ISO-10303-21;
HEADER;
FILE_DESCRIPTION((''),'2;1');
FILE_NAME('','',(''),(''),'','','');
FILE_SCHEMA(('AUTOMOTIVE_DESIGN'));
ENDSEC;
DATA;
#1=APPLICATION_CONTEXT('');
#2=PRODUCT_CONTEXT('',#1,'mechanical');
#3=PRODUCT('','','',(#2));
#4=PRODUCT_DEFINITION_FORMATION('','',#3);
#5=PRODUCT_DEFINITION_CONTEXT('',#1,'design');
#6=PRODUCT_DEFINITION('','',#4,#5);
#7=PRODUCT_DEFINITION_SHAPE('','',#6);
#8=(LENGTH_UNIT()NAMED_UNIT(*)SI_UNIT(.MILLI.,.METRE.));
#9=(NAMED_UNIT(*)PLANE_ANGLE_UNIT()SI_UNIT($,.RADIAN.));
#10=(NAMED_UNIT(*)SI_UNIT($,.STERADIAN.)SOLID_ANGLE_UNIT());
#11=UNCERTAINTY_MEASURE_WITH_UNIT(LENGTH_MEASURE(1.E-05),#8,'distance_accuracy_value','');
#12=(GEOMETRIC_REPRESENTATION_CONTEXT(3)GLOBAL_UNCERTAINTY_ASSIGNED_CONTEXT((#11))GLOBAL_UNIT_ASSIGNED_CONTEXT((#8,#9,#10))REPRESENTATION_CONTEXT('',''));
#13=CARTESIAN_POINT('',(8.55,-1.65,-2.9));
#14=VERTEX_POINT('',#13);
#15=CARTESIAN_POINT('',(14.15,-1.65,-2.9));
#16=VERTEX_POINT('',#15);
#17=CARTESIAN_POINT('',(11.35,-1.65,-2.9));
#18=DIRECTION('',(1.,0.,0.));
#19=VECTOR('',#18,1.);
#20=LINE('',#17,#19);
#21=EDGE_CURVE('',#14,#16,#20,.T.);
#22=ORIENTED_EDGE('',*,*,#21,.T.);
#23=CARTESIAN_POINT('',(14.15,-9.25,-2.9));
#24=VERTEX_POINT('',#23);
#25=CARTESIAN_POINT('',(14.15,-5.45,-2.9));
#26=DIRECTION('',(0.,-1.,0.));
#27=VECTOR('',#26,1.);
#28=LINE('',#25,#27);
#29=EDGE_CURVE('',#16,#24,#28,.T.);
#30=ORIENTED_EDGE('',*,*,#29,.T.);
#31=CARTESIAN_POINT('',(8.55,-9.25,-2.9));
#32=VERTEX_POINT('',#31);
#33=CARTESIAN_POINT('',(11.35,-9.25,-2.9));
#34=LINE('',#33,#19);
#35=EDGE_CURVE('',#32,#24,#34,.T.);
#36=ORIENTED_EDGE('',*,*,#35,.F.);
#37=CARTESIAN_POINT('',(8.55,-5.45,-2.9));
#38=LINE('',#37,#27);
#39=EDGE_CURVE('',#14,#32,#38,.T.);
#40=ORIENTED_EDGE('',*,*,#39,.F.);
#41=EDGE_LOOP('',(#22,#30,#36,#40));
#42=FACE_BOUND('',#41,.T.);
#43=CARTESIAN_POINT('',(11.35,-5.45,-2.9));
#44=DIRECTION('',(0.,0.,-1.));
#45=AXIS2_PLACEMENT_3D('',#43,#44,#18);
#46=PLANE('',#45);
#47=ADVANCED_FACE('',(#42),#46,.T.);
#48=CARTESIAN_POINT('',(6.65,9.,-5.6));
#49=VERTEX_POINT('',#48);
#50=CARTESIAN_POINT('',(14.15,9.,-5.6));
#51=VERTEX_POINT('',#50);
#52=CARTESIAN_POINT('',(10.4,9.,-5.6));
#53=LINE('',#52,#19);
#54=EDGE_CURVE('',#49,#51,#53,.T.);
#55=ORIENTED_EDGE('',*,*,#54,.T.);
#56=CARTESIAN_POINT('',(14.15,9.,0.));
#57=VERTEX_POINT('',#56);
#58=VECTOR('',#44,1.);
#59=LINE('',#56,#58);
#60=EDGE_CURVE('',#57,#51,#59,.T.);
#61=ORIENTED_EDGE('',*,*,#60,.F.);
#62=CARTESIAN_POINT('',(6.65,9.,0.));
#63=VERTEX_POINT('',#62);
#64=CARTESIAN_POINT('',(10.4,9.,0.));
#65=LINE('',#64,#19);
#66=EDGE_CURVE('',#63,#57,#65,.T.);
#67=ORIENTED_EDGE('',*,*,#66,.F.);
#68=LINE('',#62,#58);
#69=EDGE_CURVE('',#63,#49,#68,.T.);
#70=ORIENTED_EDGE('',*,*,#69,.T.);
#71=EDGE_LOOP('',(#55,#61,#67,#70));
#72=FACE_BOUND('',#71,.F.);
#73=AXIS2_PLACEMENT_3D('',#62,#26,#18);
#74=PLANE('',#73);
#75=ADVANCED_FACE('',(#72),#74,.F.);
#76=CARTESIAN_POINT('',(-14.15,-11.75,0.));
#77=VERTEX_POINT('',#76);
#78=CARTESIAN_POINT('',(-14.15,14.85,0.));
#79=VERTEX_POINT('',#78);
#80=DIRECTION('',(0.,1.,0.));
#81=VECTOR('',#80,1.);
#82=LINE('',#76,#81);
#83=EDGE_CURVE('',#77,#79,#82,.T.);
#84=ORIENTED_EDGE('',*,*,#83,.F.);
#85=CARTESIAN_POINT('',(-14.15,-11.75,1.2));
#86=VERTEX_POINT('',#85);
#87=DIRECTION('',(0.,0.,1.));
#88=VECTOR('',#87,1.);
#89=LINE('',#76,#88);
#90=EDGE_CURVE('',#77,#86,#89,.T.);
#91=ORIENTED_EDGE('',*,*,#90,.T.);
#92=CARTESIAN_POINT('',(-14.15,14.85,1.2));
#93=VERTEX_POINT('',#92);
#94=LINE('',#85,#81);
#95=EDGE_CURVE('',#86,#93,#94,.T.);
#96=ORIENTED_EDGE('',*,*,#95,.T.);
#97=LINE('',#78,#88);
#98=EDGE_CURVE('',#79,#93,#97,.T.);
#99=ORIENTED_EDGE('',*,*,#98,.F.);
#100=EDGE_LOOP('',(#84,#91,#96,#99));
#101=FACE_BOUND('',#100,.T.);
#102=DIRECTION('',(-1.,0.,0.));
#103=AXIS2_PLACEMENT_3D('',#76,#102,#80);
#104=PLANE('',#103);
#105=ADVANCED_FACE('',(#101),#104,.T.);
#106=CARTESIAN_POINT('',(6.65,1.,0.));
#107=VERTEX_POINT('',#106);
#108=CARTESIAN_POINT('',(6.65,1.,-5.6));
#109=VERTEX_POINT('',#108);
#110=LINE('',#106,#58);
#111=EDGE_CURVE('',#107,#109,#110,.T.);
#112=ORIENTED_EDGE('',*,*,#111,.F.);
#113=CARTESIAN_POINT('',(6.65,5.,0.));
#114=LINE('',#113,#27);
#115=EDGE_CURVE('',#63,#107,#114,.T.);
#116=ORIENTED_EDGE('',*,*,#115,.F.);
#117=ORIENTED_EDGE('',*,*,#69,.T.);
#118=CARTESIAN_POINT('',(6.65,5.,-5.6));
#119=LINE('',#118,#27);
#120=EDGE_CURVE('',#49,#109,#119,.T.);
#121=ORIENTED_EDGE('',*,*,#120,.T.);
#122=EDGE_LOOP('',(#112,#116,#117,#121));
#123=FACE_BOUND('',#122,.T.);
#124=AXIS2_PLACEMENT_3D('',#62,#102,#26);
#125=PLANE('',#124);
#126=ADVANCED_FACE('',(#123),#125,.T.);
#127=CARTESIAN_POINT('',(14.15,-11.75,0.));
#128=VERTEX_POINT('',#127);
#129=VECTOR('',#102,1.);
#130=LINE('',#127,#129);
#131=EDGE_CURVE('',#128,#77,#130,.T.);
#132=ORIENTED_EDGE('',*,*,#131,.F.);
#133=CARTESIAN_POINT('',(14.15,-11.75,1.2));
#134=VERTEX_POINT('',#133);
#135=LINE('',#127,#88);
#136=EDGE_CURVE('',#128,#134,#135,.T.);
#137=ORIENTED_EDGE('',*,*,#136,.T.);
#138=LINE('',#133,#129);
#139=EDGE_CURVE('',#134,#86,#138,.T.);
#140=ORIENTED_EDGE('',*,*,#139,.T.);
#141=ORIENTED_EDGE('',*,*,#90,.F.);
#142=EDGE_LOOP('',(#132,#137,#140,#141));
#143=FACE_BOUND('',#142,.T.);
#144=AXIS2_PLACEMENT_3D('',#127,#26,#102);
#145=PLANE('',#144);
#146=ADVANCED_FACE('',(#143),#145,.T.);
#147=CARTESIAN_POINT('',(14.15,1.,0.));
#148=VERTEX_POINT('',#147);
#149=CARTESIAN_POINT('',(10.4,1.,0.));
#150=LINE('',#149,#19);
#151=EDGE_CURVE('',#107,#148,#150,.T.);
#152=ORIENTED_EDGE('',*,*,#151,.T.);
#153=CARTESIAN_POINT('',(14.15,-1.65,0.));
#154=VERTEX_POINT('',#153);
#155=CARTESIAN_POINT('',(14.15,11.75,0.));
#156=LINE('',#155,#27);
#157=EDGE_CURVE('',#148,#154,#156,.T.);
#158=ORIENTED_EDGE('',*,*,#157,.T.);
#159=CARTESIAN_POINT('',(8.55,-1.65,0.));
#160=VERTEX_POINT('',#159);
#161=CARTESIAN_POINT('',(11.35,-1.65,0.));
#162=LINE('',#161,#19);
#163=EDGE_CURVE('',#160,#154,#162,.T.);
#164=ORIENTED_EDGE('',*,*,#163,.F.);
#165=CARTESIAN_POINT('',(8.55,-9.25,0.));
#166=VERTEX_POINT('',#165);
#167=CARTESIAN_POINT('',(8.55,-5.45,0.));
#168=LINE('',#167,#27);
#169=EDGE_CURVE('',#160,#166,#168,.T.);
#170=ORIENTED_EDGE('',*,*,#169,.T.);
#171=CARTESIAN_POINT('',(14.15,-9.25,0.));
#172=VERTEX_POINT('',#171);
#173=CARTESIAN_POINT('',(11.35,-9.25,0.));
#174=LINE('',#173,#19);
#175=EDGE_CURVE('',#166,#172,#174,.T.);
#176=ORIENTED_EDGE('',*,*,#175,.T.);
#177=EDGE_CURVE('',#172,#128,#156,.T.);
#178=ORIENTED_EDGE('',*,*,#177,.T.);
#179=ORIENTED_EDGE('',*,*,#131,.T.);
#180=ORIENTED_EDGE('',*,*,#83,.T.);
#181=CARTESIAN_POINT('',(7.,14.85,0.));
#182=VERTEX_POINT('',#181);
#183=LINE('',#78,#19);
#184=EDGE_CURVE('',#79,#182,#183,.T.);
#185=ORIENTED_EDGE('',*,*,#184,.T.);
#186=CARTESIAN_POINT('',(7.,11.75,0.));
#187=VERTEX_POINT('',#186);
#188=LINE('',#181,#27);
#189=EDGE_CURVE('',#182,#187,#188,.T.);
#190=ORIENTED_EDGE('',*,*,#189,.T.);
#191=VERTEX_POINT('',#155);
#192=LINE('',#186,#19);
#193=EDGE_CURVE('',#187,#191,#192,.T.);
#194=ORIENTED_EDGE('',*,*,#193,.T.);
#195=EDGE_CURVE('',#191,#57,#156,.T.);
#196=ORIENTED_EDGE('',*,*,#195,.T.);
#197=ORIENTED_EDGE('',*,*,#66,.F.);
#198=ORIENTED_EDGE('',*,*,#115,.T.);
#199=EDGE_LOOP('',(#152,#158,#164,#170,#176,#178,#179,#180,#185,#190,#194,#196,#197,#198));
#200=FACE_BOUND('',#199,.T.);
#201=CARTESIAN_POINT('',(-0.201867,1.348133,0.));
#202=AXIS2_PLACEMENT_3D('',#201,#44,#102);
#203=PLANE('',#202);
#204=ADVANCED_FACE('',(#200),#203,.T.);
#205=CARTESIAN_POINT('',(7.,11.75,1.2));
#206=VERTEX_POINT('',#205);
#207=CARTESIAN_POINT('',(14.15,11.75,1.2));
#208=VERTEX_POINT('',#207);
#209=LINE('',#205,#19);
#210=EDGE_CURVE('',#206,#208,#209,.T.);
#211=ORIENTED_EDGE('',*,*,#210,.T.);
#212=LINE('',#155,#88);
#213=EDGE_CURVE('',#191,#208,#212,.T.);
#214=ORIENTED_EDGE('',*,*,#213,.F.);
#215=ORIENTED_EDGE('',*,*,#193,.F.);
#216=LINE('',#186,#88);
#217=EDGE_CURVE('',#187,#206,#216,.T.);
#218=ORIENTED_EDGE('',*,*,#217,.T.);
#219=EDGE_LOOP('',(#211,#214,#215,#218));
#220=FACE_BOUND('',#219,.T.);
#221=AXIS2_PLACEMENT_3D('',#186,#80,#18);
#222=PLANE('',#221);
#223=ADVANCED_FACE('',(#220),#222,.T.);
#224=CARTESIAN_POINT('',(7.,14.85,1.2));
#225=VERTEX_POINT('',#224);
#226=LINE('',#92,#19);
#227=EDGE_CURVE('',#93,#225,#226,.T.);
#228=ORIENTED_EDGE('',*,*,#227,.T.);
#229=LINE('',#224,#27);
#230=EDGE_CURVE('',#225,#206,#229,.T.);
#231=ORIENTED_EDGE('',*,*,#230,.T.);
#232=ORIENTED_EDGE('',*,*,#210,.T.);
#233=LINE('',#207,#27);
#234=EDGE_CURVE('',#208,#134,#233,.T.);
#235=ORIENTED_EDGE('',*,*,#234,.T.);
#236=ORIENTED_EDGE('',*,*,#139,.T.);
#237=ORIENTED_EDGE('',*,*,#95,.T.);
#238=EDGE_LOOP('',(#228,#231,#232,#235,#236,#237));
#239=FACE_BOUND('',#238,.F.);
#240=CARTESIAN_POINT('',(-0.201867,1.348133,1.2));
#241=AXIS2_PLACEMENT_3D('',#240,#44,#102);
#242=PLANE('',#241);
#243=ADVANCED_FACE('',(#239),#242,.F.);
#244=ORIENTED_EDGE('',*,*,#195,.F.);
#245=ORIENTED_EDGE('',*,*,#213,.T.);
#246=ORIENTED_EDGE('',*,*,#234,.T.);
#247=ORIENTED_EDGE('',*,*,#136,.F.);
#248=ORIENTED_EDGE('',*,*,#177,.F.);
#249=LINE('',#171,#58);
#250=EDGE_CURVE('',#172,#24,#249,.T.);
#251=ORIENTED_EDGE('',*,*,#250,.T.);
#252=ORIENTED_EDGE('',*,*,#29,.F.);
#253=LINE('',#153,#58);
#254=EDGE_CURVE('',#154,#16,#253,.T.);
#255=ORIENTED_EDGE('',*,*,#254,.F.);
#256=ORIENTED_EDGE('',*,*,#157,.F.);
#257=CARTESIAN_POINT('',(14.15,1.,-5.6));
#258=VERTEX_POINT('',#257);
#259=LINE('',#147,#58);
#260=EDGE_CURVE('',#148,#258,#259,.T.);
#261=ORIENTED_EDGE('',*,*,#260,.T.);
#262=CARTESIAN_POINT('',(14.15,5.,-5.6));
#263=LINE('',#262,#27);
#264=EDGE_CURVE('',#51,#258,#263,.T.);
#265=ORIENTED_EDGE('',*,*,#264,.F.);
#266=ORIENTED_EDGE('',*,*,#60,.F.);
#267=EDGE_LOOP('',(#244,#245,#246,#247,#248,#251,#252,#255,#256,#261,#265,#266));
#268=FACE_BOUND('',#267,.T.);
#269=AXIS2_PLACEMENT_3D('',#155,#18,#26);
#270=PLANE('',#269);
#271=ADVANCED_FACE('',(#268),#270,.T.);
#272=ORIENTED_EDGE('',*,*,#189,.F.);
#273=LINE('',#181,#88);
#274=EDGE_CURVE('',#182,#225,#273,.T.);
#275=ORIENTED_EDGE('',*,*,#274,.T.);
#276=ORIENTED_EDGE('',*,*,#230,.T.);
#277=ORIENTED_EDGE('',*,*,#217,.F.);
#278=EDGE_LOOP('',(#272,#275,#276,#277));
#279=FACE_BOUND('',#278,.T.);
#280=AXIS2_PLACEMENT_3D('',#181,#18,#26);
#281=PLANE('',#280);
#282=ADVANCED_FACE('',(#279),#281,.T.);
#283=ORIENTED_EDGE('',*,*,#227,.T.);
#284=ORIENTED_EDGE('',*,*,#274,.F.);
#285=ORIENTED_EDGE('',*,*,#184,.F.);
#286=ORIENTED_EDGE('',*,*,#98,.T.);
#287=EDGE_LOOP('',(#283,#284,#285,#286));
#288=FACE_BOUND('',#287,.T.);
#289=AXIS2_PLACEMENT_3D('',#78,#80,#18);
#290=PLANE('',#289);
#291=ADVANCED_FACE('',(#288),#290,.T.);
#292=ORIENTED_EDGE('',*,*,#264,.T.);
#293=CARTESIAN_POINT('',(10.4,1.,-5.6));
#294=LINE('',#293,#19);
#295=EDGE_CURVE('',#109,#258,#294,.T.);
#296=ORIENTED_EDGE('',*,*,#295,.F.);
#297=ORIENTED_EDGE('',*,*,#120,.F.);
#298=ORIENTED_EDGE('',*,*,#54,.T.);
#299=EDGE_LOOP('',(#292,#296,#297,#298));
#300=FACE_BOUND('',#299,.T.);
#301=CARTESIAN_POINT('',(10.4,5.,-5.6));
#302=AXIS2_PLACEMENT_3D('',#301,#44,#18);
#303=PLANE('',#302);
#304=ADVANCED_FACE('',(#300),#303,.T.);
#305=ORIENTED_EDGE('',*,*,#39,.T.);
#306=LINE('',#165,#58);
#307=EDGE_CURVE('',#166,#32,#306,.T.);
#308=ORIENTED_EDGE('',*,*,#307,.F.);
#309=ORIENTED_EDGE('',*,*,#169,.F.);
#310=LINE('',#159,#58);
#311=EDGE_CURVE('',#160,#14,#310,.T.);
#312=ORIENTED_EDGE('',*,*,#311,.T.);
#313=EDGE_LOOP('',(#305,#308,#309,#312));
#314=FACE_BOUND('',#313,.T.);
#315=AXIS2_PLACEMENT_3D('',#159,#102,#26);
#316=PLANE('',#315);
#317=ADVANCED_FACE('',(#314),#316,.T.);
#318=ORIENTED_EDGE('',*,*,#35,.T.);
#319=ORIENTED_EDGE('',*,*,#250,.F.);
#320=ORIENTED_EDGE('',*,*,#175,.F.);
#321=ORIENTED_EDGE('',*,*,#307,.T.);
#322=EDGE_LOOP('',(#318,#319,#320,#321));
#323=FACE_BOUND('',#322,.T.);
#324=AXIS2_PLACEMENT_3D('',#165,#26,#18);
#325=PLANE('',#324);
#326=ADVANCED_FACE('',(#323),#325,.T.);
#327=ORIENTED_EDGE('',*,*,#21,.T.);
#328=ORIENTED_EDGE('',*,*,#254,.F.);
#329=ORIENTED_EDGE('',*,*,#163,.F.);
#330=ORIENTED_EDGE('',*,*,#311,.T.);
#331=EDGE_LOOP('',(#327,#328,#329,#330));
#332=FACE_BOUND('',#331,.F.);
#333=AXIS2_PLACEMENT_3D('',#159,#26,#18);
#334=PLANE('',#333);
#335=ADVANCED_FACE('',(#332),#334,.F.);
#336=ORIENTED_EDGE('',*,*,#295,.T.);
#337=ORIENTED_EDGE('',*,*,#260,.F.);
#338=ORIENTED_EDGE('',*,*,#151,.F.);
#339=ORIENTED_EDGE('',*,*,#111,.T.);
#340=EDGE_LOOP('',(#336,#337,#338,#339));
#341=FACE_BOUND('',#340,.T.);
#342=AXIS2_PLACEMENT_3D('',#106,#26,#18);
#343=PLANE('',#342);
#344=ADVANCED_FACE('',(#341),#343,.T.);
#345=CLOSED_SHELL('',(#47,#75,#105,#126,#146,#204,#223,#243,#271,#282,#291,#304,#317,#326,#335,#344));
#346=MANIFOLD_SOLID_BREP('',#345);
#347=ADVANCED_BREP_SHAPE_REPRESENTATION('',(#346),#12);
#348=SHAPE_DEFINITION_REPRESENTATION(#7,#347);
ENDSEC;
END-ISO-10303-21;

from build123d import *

# Parameters (mm, degrees)
PAD004_DEPTH = 1.2
SKETCH006_W  = 7.5
SKETCH006_H  = 8
PAD005_DEPTH = 5.6
SKETCH007_W  = 5.6
SKETCH007_H  = 7.6
PAD006_DEPTH = 2.9


with BuildPart() as part:
    # Sketch005 → Pad004 (new body)
    with BuildSketch(Plane.XY):
        Polygon((7, 11.75), (14.15, 11.75), (14.15, -11.75), (-14.15, -11.75), (-14.15, 14.85), (7, 14.85), align=None)
    extrude(amount=PAD004_DEPTH)

    # Sketch006 (on Face7 of Pad004) → Pad005 (join)
    with BuildSketch(Plane(origin=(0, 0, 0), x_dir=(1, 0, 0), z_dir=(0, 0, -1))):
        with Locations((10.4, -5)):
            Rectangle(SKETCH006_W, SKETCH006_H)
    extrude(amount=PAD005_DEPTH)

    # Sketch007 (on Face4 of Pad005) → Pad006 (join)
    with BuildSketch(Plane(origin=(0, 0, 0), x_dir=(1, 0, 0), z_dir=(0, 0, -1))):
        with Locations((11.35, 5.45)):
            Rectangle(SKETCH007_W, SKETCH007_H)
    extrude(amount=PAD006_DEPTH)


solid = part.part
